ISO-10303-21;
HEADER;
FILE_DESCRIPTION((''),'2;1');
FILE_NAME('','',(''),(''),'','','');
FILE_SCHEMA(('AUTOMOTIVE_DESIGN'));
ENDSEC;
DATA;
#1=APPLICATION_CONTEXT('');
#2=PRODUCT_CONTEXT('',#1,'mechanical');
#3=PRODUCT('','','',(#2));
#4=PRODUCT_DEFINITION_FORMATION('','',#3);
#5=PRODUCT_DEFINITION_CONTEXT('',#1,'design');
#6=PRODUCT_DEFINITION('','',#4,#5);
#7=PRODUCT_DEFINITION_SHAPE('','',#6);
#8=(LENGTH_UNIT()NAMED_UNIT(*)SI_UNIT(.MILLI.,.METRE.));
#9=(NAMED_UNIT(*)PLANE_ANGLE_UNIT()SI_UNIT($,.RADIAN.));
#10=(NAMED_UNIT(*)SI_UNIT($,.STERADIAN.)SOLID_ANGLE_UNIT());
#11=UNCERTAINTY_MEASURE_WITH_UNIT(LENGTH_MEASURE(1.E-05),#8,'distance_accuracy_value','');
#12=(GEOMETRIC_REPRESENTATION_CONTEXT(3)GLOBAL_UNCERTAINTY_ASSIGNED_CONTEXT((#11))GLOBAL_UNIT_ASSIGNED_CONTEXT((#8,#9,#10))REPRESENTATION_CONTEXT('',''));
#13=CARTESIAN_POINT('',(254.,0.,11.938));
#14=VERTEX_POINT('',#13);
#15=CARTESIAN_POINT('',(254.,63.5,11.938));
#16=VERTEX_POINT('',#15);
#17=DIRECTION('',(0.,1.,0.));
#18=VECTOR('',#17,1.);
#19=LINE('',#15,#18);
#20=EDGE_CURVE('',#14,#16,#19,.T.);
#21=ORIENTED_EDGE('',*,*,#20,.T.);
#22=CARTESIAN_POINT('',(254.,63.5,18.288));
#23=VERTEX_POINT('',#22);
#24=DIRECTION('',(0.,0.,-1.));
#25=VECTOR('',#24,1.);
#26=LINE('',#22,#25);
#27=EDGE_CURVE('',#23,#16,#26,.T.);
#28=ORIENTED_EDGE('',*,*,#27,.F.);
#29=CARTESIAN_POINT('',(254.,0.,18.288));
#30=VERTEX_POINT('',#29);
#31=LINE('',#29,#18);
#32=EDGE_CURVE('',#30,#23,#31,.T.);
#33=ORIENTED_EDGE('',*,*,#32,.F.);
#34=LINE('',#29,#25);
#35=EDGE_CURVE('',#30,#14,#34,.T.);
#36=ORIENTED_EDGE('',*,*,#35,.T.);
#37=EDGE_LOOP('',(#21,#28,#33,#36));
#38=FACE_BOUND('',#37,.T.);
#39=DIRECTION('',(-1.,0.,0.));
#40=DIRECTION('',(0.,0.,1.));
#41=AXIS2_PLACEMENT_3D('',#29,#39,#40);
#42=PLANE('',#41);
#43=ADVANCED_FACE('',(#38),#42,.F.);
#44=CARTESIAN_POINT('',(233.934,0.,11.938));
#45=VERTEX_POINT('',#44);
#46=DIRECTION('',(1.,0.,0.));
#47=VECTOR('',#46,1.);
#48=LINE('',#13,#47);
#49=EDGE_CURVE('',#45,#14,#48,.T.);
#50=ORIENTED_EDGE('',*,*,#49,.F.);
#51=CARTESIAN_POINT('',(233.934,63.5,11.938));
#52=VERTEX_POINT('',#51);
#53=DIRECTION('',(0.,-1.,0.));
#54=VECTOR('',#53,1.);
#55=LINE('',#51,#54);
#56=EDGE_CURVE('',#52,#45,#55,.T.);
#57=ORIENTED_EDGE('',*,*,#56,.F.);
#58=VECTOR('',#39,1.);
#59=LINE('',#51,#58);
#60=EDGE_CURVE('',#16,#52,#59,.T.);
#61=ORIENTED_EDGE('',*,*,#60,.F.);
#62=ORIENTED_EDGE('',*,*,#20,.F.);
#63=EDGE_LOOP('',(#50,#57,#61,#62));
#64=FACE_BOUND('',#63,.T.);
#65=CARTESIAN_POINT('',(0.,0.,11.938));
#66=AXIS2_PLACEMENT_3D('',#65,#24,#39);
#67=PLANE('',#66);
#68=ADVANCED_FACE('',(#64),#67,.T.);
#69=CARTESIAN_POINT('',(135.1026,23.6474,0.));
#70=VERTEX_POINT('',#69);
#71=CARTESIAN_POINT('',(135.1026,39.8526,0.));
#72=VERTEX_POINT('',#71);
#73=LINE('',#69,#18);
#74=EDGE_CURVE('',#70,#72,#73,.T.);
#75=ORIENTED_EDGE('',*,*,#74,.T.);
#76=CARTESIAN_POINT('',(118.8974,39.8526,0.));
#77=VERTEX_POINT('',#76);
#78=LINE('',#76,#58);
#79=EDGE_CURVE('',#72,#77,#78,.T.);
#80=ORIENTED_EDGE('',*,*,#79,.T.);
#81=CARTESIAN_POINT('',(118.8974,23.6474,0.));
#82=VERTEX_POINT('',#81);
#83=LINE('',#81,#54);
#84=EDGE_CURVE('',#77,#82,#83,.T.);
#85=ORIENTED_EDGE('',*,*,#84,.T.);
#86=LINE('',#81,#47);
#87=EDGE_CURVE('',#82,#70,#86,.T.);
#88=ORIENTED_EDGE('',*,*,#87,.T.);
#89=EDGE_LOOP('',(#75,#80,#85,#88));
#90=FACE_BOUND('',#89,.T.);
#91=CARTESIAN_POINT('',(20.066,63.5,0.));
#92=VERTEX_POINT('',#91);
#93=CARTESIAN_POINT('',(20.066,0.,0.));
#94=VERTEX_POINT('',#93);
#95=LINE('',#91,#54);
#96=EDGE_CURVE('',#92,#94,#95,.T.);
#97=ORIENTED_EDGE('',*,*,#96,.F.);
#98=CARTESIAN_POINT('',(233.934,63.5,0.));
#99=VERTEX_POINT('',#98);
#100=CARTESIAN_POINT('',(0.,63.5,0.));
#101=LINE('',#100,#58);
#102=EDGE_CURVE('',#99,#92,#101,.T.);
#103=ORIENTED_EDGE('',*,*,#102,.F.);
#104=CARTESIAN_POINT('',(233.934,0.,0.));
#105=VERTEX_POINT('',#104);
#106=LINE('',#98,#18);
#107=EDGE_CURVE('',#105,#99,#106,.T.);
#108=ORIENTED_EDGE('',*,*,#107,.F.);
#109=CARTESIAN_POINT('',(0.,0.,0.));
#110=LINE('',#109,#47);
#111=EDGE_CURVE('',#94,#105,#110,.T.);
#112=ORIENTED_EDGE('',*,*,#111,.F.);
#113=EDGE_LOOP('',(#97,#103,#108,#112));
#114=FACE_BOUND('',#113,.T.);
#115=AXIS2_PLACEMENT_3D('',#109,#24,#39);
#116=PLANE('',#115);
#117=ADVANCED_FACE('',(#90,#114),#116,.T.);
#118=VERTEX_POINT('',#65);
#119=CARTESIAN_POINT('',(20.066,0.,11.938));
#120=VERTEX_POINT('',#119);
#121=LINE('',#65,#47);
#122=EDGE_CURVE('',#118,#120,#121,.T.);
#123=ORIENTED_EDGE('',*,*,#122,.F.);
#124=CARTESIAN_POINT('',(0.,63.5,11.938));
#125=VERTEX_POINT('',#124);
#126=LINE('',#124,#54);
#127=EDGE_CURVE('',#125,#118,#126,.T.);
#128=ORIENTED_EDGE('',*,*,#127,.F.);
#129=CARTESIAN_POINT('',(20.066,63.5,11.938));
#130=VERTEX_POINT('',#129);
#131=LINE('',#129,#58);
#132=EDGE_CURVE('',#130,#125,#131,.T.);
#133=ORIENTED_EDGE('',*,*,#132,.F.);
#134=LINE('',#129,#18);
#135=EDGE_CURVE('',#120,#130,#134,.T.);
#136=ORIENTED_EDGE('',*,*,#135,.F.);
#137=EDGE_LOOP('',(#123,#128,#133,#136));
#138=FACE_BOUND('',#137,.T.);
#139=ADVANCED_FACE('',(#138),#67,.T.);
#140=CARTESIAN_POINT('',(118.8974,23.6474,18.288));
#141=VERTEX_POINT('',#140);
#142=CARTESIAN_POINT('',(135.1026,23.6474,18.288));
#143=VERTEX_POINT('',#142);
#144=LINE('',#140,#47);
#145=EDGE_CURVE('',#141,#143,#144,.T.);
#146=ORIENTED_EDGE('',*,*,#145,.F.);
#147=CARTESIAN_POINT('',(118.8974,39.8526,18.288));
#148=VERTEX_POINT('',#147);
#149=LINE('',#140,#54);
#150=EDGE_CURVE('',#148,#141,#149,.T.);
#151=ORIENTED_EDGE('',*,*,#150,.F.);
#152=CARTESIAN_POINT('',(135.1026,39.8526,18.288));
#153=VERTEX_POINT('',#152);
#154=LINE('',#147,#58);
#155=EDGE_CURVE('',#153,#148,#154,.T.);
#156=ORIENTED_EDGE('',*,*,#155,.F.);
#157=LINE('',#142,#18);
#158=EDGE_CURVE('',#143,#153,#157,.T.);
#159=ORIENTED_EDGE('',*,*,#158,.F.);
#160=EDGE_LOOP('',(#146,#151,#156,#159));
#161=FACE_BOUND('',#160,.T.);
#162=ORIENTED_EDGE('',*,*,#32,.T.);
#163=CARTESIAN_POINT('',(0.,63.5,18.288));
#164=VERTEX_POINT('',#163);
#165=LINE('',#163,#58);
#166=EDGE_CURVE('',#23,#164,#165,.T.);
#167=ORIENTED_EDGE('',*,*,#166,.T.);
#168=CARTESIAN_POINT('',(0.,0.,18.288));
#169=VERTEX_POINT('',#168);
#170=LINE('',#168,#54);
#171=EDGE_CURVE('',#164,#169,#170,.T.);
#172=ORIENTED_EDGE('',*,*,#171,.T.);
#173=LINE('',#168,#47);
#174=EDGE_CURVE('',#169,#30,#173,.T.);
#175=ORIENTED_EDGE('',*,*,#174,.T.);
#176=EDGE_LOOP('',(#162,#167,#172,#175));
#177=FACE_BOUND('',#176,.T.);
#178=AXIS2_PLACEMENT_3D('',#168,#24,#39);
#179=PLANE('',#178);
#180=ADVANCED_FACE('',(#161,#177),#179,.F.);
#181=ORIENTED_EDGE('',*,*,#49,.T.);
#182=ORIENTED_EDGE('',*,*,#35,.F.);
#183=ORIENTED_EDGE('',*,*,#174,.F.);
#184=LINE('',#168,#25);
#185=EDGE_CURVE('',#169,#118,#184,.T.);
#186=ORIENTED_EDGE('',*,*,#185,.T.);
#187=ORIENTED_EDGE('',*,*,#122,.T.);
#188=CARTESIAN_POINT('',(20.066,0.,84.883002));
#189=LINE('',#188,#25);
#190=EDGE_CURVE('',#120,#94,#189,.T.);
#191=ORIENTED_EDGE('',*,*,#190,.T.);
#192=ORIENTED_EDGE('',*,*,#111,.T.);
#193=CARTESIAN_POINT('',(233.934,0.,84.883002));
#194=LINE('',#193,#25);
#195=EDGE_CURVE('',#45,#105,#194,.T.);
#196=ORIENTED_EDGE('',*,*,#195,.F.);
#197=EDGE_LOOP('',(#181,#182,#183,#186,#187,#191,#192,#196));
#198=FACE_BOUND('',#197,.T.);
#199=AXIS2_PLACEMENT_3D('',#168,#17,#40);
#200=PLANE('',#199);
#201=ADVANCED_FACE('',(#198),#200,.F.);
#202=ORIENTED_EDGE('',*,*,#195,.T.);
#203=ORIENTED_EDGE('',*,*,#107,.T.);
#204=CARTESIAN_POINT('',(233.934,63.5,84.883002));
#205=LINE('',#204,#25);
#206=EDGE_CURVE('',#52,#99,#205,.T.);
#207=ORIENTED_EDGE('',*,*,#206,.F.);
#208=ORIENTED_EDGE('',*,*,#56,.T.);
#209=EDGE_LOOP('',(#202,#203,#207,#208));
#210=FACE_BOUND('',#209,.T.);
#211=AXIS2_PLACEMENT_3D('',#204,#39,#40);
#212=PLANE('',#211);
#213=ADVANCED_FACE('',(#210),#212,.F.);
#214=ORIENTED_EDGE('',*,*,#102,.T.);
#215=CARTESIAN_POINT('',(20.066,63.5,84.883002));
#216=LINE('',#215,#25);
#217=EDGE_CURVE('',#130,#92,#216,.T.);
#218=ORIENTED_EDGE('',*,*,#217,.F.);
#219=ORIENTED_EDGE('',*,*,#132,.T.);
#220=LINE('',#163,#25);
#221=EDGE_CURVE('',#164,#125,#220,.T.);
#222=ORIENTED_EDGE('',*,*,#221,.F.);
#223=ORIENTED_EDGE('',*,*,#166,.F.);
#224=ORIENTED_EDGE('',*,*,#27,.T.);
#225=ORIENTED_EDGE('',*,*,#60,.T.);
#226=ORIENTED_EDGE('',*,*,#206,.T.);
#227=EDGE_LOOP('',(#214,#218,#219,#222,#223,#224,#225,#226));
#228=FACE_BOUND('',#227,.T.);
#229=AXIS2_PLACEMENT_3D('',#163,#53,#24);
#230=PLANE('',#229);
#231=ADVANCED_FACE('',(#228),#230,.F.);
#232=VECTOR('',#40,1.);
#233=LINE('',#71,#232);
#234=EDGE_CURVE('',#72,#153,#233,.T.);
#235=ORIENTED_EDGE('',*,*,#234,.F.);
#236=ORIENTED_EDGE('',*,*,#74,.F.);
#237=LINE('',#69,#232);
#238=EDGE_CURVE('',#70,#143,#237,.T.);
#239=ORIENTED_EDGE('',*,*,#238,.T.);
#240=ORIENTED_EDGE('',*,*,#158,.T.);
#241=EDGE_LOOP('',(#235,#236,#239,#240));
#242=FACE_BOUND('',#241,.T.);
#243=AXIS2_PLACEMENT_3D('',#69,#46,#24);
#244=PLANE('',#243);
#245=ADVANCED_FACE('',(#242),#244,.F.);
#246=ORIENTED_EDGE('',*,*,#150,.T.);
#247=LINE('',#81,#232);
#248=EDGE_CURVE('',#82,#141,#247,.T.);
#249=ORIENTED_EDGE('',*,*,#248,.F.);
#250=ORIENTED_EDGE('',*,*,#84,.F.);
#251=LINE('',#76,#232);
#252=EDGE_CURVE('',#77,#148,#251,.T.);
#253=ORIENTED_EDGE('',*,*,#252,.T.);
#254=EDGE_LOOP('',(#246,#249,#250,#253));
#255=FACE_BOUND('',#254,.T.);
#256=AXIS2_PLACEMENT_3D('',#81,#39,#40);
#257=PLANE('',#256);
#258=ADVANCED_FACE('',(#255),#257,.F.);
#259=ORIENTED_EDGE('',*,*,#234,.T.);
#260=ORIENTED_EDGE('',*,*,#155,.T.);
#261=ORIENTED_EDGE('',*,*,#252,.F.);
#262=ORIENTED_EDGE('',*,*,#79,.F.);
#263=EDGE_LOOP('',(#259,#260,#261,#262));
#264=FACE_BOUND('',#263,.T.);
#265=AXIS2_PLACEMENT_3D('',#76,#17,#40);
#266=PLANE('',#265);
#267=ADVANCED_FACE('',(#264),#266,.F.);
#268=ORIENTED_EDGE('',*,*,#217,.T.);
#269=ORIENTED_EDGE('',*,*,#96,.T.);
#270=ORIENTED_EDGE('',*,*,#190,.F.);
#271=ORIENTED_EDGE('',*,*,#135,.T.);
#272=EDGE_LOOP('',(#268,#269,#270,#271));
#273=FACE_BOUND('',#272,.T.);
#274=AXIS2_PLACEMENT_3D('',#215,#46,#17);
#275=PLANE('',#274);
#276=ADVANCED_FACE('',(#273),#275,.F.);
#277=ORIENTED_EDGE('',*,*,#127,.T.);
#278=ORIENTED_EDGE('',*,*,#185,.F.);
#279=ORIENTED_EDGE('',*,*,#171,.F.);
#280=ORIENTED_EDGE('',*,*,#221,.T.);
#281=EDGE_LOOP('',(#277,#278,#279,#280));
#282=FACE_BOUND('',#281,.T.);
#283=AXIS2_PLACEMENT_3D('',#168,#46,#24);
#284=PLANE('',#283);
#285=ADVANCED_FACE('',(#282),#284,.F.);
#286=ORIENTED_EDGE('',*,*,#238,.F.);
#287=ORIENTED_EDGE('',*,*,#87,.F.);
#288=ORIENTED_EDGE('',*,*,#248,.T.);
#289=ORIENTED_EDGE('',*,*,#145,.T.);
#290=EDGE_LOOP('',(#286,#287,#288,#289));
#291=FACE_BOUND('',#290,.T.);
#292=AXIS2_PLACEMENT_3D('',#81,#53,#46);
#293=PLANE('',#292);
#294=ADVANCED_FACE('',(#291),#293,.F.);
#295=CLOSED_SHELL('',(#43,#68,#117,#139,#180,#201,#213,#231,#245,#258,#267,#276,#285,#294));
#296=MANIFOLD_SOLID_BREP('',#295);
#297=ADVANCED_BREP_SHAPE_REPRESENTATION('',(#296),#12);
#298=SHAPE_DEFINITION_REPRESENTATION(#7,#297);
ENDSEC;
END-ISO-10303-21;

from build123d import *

# Parameters (mm, degrees)
SKETCH1_W           = 254
SKETCH1_H           = 63.5
BOSS_EXTRUDE1_DEPTH = 18.288
SKETCH2_W           = 16.2052
SKETCH2_H           = 16.2052
CUT_EXTRUDE1_DEPTH  = 263.455140822
SKETCH3_W           = 20.066
SKETCH3_H           = 63.5
CUT_EXTRUDE2_DEPTH  = 11.938


with BuildPart() as part:
    # Sketch1 → Boss-Extrude1 (new body)
    with BuildSketch(Plane.XY):
        with Locations((127, 31.75)):
            Rectangle(SKETCH1_W, SKETCH1_H)
    extrude(amount=BOSS_EXTRUDE1_DEPTH)

    # Sketch2 → Cut-Extrude1 (cut, through all)
    with BuildSketch(Plane.XY.offset(18.288)):
        with Locations((127, 31.75)):
            Rectangle(SKETCH2_W, SKETCH2_H)
    extrude(amount=-CUT_EXTRUDE1_DEPTH, mode=Mode.SUBTRACT)

    # Sketch3 → Cut-Extrude2 (cut)
    with BuildSketch(Plane(origin=(0, 0, 0), x_dir=(-1, 0, 0), z_dir=(0, 0, -1))):
        with Locations((-243.967, 31.75)):
            Rectangle(SKETCH3_W, SKETCH3_H)
        with Locations((-10.033, 31.75)):
            Rectangle(SKETCH3_W, SKETCH3_H)
    extrude(amount=-CUT_EXTRUDE2_DEPTH, mode=Mode.SUBTRACT)


solid = part.part
